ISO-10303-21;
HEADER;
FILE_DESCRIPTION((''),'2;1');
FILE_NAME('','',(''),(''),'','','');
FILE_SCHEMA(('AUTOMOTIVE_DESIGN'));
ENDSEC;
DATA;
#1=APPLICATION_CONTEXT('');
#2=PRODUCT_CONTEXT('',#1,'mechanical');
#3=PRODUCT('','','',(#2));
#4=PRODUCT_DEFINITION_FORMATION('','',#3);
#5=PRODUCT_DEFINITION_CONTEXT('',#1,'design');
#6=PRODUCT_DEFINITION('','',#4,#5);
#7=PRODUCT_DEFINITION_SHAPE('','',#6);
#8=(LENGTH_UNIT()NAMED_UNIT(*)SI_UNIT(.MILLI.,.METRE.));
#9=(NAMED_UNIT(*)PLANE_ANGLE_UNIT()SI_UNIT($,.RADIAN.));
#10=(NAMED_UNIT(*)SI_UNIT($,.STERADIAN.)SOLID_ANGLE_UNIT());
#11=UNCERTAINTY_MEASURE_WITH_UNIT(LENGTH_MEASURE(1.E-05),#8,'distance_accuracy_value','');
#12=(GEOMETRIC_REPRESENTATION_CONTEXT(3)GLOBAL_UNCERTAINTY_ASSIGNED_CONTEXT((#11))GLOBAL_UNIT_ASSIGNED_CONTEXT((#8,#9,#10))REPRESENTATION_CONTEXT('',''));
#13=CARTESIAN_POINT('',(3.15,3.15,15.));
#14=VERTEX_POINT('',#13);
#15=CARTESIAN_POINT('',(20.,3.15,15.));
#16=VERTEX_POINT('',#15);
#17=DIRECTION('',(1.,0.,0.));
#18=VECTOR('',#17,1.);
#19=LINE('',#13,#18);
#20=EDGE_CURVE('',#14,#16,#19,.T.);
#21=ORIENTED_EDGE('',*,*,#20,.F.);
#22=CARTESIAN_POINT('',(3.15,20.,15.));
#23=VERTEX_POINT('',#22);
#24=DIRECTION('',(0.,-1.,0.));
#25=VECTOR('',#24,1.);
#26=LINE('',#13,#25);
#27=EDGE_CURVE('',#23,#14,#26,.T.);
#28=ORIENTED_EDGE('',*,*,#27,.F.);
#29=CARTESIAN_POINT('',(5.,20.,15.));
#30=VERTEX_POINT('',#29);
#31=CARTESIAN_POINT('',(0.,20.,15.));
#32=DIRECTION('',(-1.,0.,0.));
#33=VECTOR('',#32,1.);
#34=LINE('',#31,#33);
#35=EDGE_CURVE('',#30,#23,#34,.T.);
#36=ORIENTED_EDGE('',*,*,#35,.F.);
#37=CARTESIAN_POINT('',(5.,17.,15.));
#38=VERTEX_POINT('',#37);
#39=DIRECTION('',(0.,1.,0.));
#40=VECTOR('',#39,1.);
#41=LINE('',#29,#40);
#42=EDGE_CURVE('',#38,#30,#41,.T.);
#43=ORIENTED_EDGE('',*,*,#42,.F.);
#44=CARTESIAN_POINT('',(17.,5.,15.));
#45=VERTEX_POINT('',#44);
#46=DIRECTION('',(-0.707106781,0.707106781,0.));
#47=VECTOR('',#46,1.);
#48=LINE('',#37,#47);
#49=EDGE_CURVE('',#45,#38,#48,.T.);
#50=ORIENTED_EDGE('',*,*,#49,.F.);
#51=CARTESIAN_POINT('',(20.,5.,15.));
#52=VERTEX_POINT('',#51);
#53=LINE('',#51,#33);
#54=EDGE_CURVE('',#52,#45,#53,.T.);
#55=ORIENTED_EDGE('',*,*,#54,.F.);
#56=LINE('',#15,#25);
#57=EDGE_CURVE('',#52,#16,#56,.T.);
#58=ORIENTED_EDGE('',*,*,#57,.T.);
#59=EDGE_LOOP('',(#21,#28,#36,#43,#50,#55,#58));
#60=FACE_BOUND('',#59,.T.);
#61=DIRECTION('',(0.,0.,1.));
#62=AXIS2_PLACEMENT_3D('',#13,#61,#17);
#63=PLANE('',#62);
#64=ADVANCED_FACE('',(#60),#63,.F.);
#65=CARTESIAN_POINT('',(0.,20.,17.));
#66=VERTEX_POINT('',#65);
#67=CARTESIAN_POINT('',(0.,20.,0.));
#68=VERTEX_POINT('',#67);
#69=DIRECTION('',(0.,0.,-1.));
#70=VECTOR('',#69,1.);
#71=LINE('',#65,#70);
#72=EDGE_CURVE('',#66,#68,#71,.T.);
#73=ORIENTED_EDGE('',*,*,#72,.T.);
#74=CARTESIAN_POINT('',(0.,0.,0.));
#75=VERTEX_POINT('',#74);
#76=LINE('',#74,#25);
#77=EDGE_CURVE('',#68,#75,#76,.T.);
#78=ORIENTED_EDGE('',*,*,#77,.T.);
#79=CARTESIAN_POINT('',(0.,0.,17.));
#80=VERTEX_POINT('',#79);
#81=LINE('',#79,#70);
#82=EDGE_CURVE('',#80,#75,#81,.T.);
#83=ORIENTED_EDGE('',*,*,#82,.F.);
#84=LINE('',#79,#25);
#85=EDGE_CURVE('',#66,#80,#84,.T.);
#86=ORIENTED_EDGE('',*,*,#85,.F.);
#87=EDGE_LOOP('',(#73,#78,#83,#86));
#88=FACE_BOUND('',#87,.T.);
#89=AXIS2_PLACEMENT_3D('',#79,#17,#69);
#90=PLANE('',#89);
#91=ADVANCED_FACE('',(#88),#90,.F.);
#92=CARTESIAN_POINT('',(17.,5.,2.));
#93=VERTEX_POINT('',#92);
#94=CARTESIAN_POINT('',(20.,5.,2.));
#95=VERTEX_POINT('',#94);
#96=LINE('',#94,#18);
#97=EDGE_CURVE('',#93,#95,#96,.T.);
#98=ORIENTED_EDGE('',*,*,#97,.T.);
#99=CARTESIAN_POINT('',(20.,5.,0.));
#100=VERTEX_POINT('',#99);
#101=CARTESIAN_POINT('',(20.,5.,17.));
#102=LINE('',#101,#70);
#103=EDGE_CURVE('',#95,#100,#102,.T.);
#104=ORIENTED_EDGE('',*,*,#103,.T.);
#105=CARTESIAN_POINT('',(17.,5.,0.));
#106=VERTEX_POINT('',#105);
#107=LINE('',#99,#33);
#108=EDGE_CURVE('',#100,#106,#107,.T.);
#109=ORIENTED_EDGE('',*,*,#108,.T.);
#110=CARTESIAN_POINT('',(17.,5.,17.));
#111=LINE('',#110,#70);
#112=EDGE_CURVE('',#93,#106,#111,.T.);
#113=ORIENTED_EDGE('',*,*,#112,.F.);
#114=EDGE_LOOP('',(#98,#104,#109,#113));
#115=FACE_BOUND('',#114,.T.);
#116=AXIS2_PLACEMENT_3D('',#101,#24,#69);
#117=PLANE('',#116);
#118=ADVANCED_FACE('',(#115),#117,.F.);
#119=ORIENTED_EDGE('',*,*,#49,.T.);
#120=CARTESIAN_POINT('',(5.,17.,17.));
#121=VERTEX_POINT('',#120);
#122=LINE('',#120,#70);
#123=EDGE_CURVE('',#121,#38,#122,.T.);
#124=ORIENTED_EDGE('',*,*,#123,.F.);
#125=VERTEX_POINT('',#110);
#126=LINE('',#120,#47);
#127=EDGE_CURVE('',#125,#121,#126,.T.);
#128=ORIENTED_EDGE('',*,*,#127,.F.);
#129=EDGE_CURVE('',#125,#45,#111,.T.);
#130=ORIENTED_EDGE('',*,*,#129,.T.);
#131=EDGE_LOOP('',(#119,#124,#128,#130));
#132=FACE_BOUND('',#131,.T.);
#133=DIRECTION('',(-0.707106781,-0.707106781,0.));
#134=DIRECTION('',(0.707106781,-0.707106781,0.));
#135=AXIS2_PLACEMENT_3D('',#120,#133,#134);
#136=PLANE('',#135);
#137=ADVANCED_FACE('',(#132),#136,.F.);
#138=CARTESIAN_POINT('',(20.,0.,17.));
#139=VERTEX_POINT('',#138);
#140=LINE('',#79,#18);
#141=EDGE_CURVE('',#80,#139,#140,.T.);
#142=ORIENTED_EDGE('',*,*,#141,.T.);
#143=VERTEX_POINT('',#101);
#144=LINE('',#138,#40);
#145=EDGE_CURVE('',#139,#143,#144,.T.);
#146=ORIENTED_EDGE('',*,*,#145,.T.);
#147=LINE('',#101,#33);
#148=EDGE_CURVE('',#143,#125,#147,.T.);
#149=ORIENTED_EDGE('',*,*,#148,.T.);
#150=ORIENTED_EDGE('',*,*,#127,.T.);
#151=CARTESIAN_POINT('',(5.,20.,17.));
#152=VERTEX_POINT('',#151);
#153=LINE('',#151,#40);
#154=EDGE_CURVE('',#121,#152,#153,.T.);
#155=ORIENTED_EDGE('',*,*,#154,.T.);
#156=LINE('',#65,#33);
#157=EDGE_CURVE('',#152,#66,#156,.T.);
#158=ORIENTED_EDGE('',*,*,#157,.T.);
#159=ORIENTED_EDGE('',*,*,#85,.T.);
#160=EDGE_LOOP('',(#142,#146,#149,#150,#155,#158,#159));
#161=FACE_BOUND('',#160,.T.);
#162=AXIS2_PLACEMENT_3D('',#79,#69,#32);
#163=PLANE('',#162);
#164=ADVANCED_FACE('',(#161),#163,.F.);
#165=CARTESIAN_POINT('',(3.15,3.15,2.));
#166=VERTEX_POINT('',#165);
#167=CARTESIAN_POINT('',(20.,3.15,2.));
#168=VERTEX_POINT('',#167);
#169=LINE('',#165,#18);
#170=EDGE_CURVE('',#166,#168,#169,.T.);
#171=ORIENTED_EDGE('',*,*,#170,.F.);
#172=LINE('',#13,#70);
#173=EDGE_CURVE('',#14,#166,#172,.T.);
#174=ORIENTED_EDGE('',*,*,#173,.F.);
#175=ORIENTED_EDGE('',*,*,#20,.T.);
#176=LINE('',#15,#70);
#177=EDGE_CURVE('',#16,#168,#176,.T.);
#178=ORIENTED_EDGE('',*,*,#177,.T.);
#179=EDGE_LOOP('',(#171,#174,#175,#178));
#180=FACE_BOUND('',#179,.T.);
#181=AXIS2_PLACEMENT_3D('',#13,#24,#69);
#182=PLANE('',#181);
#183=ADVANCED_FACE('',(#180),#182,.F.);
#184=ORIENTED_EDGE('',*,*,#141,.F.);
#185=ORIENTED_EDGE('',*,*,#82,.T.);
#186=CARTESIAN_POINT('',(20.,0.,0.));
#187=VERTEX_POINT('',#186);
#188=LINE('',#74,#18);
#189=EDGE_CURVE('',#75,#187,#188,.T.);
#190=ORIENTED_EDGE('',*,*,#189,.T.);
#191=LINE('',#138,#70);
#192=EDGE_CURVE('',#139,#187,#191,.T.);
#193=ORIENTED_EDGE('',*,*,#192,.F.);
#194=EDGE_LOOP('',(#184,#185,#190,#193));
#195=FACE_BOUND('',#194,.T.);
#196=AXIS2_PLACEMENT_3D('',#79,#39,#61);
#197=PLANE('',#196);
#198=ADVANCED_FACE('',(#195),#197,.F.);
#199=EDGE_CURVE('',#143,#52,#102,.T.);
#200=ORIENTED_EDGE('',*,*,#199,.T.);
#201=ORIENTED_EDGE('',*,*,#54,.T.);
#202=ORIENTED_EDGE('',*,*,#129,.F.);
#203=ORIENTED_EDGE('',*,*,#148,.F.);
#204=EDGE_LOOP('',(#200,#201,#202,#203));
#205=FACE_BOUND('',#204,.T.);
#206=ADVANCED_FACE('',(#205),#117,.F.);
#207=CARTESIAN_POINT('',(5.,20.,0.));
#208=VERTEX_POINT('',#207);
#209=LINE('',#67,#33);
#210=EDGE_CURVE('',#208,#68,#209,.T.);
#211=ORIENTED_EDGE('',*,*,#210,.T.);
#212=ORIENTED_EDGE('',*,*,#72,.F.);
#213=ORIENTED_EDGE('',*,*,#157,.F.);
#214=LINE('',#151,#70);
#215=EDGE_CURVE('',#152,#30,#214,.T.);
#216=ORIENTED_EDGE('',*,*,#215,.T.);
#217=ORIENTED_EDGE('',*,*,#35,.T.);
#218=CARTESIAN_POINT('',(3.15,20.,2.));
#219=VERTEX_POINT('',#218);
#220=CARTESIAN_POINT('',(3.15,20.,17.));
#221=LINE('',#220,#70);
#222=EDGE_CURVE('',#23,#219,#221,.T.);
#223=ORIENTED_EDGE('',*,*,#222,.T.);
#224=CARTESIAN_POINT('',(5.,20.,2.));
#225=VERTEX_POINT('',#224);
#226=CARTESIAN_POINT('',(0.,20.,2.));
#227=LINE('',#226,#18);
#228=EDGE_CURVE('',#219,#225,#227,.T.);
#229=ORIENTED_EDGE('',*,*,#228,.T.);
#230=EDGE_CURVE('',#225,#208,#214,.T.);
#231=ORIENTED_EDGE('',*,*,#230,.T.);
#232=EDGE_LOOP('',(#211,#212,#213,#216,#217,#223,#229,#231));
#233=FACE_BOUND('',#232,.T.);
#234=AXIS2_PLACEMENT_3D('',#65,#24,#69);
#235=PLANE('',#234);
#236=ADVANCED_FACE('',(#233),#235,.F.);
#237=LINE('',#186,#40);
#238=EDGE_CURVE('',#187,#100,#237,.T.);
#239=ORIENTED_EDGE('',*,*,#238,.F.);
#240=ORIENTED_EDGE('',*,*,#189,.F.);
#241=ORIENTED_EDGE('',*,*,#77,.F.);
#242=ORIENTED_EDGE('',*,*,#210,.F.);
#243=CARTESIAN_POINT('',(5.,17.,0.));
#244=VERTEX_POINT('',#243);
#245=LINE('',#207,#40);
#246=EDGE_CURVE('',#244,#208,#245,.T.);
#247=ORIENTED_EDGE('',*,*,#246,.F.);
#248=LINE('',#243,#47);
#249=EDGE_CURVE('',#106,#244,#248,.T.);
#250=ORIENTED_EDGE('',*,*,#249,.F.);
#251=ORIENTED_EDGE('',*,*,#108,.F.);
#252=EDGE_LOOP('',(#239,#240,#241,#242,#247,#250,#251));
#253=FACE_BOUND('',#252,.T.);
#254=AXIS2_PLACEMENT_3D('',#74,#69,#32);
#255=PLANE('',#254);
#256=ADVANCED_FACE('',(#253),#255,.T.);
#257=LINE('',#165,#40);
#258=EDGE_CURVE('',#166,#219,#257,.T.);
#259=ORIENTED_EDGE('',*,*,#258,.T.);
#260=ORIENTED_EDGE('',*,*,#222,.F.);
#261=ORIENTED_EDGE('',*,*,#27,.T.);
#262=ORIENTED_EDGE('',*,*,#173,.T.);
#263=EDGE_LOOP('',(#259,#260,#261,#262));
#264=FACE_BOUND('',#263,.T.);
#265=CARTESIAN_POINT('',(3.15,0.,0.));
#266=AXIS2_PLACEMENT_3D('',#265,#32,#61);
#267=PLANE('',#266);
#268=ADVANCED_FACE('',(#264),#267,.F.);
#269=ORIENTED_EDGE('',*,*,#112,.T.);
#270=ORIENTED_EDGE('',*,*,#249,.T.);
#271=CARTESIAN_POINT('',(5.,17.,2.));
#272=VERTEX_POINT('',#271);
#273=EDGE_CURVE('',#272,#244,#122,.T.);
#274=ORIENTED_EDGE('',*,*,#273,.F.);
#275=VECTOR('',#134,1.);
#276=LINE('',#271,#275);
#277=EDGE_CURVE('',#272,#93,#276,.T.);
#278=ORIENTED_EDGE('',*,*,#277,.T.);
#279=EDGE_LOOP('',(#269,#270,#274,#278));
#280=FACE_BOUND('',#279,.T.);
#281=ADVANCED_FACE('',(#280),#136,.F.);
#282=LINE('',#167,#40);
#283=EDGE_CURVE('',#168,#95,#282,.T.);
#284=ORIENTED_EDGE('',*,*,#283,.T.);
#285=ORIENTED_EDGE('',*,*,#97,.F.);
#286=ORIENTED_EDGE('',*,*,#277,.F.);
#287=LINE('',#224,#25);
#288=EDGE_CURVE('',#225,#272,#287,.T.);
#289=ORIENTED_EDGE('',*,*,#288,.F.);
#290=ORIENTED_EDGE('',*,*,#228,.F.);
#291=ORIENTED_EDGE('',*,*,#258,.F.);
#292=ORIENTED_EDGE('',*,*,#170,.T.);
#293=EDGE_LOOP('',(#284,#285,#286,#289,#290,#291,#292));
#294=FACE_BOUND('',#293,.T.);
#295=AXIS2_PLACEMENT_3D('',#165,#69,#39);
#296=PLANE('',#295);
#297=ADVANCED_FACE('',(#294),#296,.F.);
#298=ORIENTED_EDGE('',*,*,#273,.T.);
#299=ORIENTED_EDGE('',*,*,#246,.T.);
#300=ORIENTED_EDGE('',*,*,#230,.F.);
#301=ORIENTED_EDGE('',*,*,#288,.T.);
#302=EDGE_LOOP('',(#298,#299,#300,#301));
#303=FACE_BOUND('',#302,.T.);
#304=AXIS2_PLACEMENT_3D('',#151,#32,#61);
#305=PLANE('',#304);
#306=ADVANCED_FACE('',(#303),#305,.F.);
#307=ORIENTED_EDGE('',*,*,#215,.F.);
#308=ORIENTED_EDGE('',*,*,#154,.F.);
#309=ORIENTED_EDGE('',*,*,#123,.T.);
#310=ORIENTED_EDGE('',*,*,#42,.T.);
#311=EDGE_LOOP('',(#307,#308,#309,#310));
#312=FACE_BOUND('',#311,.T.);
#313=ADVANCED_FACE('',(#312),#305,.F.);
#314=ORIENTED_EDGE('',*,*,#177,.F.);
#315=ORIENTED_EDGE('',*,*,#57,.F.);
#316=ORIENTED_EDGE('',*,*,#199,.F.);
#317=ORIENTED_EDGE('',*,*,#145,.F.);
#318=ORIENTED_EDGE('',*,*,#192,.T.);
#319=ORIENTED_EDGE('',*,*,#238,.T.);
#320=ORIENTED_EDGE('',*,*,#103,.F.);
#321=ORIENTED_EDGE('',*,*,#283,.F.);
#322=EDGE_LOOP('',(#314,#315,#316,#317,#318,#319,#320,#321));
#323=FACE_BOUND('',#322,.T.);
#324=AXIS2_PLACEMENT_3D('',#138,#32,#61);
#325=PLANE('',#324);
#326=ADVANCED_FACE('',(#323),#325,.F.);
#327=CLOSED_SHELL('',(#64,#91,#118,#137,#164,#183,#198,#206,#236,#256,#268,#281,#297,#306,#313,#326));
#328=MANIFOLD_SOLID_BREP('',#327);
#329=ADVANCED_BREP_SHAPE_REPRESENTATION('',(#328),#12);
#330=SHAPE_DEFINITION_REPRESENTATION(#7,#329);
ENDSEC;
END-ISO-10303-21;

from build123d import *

# Parameters (mm, degrees)
EXTRUDE_1_DEPTH     = 17
SKETCH_2_W          = 13
SKETCH_2_H          = 17.49202682
CUT_EXTRUDE_1_DEPTH = 16.85


with BuildPart() as part:
    # 草图1 → 凸台-拉伸1 (new body)
    with BuildSketch(Plane.XY):
        Polygon((0, 0), (20, 0), (20, 5), (17, 5), (5, 17), (5, 20), (0, 20), align=None)
    extrude(amount=EXTRUDE_1_DEPTH)

    # 草图2 → 切除-拉伸1 (cut)
    with BuildSketch(Plane(origin=(20, 0, 0), x_dir=(0, 0, -1), z_dir=(1, 0, 0))):
        with Locations((-8.5, 11.89601341)):
            Rectangle(SKETCH_2_W, SKETCH_2_H)
    extrude(amount=-CUT_EXTRUDE_1_DEPTH, mode=Mode.SUBTRACT)


solid = part.part
